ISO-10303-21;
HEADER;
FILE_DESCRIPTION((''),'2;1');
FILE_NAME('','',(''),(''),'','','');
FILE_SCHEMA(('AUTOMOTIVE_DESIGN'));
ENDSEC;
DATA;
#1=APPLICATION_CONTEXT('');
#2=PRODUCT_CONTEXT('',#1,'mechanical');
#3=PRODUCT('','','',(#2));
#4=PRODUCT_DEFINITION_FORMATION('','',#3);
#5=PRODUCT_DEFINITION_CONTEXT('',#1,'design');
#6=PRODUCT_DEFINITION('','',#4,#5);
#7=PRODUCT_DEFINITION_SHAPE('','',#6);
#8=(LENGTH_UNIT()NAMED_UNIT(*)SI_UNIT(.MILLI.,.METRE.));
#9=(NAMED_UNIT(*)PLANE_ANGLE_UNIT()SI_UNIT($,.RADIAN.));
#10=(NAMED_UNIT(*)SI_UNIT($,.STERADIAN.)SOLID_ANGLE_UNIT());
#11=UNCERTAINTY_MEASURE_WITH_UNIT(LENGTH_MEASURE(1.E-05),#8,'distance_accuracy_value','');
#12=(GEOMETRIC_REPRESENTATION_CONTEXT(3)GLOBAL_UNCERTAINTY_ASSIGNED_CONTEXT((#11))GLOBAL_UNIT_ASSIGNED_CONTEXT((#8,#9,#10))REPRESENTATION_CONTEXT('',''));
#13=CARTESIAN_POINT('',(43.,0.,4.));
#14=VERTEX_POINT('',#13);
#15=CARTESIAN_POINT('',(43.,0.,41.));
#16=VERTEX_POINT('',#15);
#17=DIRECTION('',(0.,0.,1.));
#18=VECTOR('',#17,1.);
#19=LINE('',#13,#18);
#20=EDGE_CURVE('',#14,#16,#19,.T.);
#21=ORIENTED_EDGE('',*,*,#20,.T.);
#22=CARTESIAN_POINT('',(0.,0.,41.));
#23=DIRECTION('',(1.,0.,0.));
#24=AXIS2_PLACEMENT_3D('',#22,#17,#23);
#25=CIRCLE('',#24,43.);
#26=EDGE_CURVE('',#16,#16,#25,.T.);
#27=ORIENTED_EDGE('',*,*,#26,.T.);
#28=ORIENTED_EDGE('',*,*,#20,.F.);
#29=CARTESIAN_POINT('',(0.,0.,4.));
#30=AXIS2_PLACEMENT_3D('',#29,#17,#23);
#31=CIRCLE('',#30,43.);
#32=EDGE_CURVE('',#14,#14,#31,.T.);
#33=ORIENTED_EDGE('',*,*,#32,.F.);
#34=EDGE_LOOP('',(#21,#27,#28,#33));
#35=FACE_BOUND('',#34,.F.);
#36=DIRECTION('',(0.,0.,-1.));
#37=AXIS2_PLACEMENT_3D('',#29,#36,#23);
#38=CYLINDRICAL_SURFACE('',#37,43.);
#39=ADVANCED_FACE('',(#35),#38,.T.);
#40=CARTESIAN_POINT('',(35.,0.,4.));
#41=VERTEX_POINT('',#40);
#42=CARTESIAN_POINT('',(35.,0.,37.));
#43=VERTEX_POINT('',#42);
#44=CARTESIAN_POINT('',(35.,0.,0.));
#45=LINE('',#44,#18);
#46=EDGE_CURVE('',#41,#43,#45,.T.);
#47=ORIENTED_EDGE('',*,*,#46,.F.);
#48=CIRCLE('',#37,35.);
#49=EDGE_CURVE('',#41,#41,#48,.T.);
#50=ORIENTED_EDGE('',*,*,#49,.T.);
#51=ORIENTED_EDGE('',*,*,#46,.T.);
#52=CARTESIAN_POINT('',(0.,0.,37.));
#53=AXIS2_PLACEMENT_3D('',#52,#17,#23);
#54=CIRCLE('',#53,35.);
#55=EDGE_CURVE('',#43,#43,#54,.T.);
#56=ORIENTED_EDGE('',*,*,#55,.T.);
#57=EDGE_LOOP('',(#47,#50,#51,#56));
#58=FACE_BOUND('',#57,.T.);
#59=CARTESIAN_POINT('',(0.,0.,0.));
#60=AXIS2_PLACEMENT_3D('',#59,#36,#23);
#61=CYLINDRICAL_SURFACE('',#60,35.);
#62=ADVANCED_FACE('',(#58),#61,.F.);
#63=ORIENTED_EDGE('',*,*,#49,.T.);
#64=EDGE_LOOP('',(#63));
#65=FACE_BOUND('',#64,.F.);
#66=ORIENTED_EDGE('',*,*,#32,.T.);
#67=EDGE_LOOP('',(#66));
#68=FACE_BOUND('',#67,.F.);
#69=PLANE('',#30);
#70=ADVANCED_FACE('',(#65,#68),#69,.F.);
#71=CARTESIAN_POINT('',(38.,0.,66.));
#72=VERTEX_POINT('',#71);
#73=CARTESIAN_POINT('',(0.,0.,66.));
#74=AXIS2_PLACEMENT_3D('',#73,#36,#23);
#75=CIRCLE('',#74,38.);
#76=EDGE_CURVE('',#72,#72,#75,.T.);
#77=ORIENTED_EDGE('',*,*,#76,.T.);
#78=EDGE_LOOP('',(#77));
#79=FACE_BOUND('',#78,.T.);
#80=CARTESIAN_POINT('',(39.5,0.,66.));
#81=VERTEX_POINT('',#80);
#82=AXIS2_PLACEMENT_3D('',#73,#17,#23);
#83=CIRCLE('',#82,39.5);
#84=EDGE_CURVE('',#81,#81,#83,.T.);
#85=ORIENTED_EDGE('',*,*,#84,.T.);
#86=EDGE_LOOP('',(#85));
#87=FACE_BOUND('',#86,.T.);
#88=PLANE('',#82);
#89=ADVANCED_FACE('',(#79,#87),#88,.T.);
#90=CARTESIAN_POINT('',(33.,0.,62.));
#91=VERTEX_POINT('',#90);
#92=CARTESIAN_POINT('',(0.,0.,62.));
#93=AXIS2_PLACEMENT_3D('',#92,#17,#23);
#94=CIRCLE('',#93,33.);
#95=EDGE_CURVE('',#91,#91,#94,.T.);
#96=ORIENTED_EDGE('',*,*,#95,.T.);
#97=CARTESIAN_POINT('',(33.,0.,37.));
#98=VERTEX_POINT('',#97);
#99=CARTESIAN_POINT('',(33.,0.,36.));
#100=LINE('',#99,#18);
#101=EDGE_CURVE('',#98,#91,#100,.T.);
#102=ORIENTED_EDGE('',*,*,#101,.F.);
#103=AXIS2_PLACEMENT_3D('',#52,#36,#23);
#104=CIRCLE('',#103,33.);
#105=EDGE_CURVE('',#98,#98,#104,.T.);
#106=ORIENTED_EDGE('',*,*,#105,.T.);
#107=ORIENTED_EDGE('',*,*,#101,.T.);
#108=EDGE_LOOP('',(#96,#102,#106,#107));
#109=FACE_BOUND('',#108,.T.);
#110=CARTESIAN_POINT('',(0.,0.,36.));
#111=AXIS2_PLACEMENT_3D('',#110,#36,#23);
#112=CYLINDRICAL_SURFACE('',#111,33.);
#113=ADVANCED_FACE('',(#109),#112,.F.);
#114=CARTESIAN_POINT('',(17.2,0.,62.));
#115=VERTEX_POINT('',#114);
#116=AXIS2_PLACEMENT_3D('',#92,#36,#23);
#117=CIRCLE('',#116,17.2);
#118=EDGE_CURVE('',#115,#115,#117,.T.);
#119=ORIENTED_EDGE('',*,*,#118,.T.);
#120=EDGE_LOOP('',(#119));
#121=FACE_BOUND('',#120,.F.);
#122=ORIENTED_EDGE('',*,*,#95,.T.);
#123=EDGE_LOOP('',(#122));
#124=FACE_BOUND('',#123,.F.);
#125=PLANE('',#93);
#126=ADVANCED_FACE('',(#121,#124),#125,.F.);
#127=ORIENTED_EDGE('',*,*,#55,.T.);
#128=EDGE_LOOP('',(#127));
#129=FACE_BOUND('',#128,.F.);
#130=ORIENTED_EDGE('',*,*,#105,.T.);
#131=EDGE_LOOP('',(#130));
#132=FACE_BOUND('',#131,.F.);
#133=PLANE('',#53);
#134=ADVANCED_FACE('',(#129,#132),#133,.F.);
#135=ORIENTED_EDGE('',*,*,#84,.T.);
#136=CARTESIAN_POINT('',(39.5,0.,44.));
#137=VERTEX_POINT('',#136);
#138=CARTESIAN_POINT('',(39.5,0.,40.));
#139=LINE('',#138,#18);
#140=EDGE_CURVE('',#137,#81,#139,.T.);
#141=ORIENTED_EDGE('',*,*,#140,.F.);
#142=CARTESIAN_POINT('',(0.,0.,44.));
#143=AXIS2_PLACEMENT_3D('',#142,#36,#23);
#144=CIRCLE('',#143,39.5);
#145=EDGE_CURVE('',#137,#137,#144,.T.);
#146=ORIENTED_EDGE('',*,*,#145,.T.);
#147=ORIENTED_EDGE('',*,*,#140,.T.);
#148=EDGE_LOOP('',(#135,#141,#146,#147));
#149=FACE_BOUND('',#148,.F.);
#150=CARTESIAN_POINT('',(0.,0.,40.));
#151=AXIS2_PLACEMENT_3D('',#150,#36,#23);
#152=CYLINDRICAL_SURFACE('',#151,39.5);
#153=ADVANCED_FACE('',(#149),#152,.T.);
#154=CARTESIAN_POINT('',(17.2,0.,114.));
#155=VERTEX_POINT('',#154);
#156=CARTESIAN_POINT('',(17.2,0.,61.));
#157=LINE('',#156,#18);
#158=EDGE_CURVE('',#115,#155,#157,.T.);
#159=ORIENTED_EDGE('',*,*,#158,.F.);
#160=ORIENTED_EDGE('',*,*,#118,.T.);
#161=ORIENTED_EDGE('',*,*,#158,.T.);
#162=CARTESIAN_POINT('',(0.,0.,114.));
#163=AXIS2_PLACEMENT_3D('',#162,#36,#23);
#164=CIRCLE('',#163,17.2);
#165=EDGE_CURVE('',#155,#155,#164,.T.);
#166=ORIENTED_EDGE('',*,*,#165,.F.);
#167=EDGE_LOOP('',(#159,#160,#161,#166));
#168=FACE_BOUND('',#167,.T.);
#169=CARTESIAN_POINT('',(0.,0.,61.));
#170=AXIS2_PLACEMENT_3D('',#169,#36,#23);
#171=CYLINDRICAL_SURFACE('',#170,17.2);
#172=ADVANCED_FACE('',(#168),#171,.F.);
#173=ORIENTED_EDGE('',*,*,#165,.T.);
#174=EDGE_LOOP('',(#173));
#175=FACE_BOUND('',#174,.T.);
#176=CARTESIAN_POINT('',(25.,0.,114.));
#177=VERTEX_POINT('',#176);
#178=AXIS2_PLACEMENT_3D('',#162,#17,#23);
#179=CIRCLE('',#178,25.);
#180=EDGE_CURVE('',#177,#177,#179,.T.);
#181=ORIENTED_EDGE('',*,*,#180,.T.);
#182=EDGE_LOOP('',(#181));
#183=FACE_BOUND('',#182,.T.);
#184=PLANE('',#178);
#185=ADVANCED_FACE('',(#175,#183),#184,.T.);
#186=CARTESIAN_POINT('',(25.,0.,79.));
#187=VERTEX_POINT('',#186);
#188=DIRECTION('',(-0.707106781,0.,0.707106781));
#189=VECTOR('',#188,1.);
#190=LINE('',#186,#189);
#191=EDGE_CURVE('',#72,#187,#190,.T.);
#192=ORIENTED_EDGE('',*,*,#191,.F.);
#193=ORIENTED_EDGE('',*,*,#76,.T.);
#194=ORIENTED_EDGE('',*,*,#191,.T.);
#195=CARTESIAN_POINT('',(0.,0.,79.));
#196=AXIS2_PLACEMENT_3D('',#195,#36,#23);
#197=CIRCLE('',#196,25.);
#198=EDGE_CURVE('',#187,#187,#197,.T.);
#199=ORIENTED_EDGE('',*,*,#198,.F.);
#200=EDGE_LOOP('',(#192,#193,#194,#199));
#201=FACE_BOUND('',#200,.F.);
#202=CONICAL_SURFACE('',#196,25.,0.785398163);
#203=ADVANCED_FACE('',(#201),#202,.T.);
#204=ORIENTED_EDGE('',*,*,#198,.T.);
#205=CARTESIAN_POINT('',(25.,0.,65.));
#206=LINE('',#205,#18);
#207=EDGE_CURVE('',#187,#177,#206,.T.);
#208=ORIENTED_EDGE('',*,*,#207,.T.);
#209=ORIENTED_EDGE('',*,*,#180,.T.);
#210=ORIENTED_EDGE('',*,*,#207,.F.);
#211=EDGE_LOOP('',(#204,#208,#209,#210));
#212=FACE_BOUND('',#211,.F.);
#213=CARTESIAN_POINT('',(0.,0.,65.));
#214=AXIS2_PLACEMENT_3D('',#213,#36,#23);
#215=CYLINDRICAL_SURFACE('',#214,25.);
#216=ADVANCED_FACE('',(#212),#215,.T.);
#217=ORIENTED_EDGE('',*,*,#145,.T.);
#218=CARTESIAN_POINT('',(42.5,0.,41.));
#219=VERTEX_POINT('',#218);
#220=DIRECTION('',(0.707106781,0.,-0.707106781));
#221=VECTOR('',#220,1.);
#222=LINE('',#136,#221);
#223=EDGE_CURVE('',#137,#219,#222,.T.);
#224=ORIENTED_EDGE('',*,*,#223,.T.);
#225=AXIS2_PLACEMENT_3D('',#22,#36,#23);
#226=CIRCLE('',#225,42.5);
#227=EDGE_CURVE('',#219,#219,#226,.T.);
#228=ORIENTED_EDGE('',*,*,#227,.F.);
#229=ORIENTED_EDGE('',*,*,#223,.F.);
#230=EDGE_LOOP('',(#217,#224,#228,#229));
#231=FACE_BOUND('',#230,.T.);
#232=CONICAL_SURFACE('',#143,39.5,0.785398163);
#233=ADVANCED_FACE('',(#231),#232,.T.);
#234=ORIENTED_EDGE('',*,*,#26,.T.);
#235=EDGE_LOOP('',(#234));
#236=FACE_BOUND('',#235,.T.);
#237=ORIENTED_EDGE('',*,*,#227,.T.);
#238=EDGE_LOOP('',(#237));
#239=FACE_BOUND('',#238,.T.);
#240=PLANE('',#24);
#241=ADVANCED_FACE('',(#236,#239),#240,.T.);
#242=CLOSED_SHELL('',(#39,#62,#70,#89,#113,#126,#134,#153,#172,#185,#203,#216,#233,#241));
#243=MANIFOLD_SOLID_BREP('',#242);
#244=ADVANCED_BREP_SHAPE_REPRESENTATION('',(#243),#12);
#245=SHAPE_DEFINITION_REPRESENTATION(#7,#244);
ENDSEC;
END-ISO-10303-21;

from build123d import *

# Parameters (mm, degrees)
CYLINDER006_R     = 33
CYLINDER006_DEPTH = 26
CYLINDER005_R     = 35
CYLINDER005_DEPTH = 37
CYLINDER004_R     = 17.2
CYLINDER004_DEPTH = 63
CYLINDER001_R     = 39.5
CYLINDER001_DEPTH = 26
CYLINDER_R        = 43
CYLINDER_DEPTH    = 37
CYLINDER003_R     = 25
CYLINDER003_DEPTH = 49
CHAMFER_SIZE      = 13
CHAMFER001_SIZE   = 3


with BuildPart() as cylinder006:
    # Cylinder006 → Cylinder006 (new body)
    with BuildSketch(Plane.XY.offset(36)):
        Circle(CYLINDER006_R)
    extrude(amount=CYLINDER006_DEPTH)


with BuildPart() as cylinder005:
    # Cylinder005 → Cylinder005 (new body)
    with BuildSketch(Plane.XY):
        Circle(CYLINDER005_R)
    extrude(amount=CYLINDER005_DEPTH)


with BuildPart() as cylinder004:
    # Cylinder004 → Cylinder004 (new body)
    with BuildSketch(Plane.XY.offset(61)):
        Circle(CYLINDER004_R)
    extrude(amount=CYLINDER004_DEPTH)


with BuildPart() as cylinder001:
    # Cylinder001 → Cylinder001 (new body)
    with BuildSketch(Plane.XY.offset(36)):
        Circle(CYLINDER001_R)
    extrude(amount=CYLINDER001_DEPTH)


with BuildPart() as fusion003:
    # Cylinder → Cylinder (new body)
    with BuildSketch(Plane.XY):
        Circle(CYLINDER_R)
    extrude(amount=CYLINDER_DEPTH)

    # Fusion003: union Cylinder001
    add(cylinder001.part)


with BuildPart() as chamfer001:
    # Cylinder003 → Cylinder003 (new body)
    with BuildSketch(Plane.XY.offset(61)):
        Circle(CYLINDER003_R)
    extrude(amount=CYLINDER003_DEPTH)

    # Fusion002: union Fusion003
    add(fusion003.part)


with BuildPart() as chamfer001_1:
    # Fusion002 placement: moved
    add(chamfer001.part.moved(Location((0, 0, 4))))

    # Cut: cut Cylinder004
    add(cylinder004.part, mode=Mode.SUBTRACT)

    # Cut001: cut Cylinder005
    add(cylinder005.part, mode=Mode.SUBTRACT)

    # Cut002: cut Cylinder006
    add(cylinder006.part, mode=Mode.SUBTRACT)

    # Chamfer
    chamfer_edges = [chamfer001_1.edges().sort_by_distance(p)[0] for p in [
        (-25, 0, 66),
    ]]
    chamfer(chamfer_edges, length=CHAMFER_SIZE)

    # Chamfer001
    chamfer001_edges = [chamfer001_1.edges().sort_by_distance(p)[0] for p in [
        (-39.5, 0, 41),
    ]]
    chamfer(chamfer001_edges, length=CHAMFER001_SIZE)


solid = chamfer001_1.part
